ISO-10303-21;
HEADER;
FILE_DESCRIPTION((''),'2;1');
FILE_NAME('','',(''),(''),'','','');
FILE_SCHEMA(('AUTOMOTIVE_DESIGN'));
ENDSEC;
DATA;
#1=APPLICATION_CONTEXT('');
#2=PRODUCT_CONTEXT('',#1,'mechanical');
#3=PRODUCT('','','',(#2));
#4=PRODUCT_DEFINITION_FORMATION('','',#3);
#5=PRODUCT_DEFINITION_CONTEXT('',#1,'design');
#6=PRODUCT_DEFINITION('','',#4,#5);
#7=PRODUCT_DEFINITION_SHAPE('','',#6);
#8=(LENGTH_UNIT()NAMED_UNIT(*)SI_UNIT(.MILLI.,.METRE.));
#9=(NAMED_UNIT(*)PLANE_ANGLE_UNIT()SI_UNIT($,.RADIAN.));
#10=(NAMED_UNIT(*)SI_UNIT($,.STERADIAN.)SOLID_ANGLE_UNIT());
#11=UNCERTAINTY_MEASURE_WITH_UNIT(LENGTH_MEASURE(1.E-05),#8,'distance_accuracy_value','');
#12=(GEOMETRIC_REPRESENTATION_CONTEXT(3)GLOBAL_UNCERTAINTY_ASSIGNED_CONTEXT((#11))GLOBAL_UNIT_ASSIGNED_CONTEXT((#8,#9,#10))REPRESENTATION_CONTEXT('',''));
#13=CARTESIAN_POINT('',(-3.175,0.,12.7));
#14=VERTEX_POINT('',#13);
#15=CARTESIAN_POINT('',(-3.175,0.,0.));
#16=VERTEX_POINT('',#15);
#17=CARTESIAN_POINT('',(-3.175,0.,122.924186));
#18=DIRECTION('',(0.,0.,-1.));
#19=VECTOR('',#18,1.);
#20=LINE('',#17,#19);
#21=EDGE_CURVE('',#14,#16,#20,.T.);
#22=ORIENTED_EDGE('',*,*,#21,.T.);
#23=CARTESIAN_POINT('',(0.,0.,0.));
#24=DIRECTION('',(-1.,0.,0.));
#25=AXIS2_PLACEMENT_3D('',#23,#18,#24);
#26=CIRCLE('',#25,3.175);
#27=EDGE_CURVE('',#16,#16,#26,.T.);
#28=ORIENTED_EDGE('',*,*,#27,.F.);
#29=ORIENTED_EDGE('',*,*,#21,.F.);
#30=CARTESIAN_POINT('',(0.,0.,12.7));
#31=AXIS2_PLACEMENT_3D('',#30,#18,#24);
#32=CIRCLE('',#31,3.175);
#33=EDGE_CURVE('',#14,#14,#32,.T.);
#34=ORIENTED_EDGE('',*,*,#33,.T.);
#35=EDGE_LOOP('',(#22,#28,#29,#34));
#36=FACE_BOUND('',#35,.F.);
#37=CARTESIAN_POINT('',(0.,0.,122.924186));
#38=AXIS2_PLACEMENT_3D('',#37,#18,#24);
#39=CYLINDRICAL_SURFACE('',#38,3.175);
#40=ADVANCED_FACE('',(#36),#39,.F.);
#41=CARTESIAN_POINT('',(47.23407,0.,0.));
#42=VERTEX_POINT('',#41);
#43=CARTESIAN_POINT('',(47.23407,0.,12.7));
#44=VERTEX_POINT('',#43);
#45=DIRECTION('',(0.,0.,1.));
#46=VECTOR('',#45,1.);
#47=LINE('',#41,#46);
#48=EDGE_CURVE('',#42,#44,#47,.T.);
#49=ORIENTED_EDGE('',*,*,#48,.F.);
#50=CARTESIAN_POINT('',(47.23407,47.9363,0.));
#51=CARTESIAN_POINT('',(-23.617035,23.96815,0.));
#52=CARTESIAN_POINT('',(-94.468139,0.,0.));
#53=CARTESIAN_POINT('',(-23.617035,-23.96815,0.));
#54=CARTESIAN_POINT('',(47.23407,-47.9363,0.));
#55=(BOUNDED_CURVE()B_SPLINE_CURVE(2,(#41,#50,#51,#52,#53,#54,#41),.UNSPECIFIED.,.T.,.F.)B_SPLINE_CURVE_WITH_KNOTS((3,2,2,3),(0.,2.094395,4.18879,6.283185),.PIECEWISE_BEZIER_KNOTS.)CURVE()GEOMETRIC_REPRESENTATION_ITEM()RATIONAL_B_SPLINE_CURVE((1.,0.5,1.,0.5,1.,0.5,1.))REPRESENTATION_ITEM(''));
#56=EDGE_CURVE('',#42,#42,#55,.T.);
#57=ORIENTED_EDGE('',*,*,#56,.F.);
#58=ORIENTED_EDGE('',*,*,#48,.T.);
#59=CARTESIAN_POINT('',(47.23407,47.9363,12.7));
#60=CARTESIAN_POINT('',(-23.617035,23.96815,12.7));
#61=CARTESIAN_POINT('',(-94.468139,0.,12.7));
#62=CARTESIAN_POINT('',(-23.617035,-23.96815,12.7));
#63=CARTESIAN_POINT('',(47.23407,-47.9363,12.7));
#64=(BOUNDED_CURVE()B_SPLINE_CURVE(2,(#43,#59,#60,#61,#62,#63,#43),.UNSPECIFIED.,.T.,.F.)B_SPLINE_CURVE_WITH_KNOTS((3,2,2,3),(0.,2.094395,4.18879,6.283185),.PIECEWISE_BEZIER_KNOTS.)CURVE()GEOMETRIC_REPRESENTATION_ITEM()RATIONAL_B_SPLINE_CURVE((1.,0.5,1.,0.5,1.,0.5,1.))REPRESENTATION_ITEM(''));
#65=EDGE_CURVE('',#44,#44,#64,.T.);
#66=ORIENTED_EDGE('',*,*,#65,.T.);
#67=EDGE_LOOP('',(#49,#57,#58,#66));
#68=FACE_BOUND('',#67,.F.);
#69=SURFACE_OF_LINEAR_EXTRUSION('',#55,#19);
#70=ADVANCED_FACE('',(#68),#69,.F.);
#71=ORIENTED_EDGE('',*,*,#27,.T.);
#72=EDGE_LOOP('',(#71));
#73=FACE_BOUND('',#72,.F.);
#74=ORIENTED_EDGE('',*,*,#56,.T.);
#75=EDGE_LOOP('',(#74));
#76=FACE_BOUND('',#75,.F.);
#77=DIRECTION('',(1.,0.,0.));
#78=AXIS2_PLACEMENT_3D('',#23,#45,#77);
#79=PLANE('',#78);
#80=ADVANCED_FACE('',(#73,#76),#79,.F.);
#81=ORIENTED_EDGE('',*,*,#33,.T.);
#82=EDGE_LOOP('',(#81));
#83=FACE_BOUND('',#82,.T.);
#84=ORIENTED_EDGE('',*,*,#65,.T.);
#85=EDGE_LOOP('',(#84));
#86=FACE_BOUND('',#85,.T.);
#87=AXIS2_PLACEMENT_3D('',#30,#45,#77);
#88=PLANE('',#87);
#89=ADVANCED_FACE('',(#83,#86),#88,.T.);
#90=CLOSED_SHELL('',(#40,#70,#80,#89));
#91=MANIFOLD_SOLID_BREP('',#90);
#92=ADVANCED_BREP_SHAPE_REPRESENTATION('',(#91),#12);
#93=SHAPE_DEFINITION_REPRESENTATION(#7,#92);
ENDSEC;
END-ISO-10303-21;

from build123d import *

# Parameters (mm, degrees)
F1_DEPTH = 12.7
F3_D     = 6.35


with BuildPart() as f1:
    # F0 (on Top) → F1 (new body)
    with BuildSketch(Plane.XY):
        with BuildLine():
            add(Edge.make_bspline(
                [(47.23407, 0), (47.23407, 47.9363), (-23.617035, 23.96815), (-94.468139, 0), (-23.617035, -23.96815), (47.23407, -47.9363), (47.23407, 0)],
                knots=[0, 0, 0, 2.094395, 2.094395, 4.18879, 4.18879, 6.283185, 6.283185, 6.283185], degree=2, weights=[1, 0.5, 1, 0.5, 1, 0.5, 1]))
        make_face()
    extrude(amount=F1_DEPTH)

    # F3 (through all)
    with Locations(Plane.XY.offset(12.7)):
        with Locations((0, 0)):
            Hole(F3_D / 2)


solid = f1.part
